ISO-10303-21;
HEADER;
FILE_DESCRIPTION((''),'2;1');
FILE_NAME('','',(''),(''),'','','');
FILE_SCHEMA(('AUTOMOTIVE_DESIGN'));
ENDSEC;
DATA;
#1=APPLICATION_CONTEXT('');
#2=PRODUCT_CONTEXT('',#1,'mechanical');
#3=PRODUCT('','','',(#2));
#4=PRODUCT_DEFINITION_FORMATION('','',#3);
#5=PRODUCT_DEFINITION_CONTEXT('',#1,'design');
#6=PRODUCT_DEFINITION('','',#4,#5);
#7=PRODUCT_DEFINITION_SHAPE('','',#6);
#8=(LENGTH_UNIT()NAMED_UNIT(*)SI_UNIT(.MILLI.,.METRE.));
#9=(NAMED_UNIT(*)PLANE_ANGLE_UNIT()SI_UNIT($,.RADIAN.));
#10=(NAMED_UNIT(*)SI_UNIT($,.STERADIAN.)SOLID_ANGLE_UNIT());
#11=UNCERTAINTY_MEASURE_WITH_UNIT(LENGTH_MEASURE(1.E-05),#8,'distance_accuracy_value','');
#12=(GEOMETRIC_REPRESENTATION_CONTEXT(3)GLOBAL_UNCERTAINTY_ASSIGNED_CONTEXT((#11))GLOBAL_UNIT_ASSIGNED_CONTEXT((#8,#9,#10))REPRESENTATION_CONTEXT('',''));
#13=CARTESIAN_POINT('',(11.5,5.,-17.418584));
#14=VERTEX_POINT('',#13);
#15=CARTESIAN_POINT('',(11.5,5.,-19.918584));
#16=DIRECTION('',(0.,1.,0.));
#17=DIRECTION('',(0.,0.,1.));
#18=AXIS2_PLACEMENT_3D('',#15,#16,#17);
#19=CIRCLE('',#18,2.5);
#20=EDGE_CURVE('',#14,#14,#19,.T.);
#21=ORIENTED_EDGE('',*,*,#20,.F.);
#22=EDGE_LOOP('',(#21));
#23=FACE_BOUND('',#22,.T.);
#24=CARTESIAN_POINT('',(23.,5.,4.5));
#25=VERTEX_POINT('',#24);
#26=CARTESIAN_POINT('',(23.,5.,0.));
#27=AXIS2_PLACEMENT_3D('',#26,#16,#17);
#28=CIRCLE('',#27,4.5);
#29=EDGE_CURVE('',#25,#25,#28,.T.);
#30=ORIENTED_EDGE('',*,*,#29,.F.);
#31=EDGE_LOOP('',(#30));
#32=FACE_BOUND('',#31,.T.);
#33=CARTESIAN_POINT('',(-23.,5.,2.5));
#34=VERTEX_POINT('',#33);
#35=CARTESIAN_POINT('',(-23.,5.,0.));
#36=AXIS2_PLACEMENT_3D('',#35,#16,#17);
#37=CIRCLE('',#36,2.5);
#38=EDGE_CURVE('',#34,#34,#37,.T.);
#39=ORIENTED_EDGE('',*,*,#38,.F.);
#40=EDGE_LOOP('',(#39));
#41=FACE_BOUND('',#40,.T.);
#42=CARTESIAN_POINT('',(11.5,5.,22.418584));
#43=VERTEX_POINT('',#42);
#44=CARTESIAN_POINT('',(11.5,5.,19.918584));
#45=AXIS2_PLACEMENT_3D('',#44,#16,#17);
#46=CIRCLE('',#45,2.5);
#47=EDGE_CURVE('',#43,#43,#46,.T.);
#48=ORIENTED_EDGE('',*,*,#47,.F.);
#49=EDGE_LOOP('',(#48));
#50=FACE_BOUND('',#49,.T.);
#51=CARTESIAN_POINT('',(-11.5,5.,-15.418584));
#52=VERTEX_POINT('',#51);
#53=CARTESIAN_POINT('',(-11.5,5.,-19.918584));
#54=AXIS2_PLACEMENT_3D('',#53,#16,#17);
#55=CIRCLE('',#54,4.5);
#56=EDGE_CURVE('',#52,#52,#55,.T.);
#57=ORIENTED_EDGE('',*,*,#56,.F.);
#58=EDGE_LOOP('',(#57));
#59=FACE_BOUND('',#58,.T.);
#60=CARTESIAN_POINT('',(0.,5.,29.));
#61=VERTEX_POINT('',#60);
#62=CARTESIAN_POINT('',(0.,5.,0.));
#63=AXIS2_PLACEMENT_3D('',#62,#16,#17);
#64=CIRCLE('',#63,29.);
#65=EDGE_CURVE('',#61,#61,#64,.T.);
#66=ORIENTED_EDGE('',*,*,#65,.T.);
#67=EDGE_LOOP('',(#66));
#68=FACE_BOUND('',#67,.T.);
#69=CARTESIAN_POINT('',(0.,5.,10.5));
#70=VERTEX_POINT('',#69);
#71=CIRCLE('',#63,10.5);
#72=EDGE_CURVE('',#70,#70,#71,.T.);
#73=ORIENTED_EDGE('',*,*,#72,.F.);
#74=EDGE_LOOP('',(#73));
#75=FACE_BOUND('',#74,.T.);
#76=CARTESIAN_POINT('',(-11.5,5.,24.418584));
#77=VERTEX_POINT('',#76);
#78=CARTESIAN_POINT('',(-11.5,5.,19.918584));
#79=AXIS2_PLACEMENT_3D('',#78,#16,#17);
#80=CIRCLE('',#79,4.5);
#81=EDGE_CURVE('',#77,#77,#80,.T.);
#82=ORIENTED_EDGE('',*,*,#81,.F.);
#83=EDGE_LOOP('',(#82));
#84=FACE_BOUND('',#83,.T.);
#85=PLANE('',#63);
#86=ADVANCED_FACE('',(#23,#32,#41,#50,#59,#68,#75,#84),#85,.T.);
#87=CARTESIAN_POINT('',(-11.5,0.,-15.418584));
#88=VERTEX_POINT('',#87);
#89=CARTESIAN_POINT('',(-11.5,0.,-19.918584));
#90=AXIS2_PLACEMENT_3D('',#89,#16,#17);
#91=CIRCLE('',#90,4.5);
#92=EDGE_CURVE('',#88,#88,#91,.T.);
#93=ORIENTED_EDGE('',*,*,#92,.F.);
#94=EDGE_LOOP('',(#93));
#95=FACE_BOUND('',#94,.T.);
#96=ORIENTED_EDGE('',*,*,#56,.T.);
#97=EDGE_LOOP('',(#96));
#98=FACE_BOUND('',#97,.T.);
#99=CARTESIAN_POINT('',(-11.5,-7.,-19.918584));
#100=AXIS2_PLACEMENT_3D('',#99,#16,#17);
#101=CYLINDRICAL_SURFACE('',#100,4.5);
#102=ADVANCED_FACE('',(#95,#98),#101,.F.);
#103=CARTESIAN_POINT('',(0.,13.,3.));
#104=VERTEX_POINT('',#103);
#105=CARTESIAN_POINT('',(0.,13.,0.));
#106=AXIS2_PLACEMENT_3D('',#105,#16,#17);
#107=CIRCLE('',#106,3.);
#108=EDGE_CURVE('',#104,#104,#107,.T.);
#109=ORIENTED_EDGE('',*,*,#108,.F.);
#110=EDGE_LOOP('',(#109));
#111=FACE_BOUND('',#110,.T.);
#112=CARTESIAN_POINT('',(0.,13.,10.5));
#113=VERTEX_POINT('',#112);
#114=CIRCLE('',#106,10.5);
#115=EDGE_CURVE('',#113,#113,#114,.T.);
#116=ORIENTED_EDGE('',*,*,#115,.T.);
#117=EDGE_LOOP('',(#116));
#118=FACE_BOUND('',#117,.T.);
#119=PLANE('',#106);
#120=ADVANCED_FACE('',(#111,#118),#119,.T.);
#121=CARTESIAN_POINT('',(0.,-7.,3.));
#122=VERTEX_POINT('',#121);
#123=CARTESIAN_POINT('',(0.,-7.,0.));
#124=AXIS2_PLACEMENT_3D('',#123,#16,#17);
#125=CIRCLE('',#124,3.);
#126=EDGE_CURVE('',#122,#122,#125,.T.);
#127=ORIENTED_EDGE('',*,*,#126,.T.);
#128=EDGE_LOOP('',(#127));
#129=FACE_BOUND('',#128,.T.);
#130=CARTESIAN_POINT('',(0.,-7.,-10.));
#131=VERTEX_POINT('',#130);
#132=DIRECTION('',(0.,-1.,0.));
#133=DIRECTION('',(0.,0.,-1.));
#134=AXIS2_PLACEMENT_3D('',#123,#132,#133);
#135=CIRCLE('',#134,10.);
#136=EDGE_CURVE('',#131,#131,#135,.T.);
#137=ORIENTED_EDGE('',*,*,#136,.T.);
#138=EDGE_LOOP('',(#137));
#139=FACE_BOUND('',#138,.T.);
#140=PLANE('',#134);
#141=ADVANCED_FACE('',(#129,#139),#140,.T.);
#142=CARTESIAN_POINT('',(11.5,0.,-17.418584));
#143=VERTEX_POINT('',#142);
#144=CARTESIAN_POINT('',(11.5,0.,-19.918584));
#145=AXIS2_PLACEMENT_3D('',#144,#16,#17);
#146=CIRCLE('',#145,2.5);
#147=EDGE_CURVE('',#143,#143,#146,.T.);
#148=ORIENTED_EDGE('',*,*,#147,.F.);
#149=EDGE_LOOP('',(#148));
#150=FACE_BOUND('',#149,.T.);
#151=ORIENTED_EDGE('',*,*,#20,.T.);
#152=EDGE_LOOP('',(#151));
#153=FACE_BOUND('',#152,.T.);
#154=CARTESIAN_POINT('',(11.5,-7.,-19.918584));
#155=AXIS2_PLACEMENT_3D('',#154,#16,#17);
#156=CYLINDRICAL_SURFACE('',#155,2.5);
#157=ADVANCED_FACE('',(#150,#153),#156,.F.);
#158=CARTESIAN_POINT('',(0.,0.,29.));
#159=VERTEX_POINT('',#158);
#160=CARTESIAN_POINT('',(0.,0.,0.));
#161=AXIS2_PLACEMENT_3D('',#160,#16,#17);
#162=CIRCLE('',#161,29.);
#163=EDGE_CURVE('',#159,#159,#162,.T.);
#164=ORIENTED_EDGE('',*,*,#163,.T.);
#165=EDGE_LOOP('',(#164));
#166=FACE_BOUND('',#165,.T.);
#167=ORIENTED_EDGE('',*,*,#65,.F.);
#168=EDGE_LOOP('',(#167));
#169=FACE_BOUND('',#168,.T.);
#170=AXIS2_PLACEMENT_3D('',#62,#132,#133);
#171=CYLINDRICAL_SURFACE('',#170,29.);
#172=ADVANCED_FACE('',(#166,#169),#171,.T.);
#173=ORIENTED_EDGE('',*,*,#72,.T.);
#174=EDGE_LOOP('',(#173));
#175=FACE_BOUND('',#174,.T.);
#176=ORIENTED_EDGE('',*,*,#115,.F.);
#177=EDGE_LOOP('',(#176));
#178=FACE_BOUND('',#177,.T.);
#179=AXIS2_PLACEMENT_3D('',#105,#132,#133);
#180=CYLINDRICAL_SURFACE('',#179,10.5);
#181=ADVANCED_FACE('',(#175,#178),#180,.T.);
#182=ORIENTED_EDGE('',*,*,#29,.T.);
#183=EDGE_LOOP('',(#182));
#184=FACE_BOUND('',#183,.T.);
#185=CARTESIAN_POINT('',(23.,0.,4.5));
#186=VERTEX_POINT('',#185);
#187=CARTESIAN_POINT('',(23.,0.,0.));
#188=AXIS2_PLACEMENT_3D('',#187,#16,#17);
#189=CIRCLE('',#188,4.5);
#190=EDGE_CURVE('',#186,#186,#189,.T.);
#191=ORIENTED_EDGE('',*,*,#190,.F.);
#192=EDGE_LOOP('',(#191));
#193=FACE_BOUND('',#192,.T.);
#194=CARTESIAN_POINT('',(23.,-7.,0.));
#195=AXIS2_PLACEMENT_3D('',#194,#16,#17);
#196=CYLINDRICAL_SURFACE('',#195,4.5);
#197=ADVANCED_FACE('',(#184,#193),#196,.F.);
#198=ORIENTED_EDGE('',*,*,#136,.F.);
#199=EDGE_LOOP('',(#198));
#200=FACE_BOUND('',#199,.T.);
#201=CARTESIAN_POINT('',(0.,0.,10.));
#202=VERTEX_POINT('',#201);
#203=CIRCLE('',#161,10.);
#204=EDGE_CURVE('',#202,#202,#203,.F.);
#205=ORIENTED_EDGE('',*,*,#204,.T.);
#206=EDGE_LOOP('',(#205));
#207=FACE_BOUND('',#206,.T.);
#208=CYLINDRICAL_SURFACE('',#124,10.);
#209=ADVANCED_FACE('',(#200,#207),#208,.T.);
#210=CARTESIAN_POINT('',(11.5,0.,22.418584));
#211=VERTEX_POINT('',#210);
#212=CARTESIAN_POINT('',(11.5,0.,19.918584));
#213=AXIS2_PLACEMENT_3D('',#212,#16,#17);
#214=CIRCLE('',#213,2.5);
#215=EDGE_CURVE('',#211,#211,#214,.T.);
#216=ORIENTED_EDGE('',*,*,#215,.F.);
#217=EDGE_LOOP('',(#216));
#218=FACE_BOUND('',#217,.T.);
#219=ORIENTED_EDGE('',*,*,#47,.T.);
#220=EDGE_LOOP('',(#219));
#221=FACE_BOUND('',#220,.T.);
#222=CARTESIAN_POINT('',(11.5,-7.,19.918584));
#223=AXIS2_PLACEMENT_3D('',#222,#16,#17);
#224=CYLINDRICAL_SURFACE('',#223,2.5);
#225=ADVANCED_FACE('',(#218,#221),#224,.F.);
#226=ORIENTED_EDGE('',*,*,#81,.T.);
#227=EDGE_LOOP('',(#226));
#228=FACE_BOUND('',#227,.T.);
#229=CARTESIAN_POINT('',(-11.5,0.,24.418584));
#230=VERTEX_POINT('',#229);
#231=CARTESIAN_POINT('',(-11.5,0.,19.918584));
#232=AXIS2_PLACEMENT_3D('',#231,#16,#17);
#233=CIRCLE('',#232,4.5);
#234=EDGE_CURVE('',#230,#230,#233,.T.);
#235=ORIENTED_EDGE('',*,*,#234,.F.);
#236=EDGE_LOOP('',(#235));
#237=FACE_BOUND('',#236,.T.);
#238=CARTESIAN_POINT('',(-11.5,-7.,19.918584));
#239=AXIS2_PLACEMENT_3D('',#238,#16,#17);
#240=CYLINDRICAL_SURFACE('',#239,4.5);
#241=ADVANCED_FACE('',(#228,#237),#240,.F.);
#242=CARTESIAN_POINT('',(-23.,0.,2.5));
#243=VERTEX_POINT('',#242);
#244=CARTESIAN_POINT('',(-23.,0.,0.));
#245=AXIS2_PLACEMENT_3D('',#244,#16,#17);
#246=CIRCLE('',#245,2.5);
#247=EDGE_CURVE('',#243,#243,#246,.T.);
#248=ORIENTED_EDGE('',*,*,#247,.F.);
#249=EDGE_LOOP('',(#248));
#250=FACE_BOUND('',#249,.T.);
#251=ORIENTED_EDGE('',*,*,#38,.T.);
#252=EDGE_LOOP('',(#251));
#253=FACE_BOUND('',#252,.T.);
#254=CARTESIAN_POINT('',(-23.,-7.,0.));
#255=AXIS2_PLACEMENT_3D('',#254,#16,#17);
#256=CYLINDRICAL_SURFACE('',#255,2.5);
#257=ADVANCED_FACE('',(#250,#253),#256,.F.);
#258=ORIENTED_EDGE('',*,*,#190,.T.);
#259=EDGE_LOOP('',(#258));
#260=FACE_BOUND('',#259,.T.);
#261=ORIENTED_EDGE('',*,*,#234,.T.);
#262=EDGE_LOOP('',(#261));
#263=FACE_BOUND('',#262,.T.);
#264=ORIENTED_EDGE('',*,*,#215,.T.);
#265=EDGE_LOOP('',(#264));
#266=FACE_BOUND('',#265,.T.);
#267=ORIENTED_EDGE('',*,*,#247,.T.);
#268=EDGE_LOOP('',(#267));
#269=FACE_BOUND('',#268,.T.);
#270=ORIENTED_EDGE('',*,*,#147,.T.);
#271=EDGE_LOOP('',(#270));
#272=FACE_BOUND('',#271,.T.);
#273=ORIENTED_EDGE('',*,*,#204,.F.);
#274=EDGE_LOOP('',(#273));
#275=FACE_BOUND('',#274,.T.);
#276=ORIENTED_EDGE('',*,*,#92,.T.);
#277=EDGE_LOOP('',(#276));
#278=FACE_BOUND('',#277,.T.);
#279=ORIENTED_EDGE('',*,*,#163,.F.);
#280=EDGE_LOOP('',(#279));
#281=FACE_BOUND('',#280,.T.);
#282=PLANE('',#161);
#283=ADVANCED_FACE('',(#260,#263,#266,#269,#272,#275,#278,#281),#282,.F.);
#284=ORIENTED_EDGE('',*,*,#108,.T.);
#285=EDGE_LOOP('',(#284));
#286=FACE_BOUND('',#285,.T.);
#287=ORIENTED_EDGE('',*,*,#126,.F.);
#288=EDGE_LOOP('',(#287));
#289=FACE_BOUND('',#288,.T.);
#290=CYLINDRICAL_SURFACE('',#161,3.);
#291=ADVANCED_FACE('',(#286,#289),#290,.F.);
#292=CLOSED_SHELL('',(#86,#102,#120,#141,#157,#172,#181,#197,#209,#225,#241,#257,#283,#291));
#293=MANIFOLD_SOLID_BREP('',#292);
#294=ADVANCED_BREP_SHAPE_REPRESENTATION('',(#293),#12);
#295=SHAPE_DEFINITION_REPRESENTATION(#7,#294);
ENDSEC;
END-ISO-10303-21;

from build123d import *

# Parameters (mm, degrees)
SKETCH1_R           = 29
BOSS_EXTRUDE2_DEPTH = 5
SKETCH3_R           = 10.5
BOSS_EXTRUDE3_DEPTH = 8
SKETCH4_R           = 3
CUT_EXTRUDE1_DEPTH  = 44.023249529
SKETCH6_R           = 10
BOSS_EXTRUDE5_DEPTH = 7
SKETCH8_R           = 3
CUT_EXTRUDE3_DEPTH  = 44.023249529
SKETCH9_R           = 2.5
CUT_EXTRUDE4_DEPTH  = 43.731721238
SKETCH10_R          = 4.5
CUT_EXTRUDE5_DEPTH  = 43.731721238


with BuildPart() as part:
    # Sketch1 → Boss-Extrude2 (new body)
    with BuildSketch(Plane(origin=(0, 0, 0), x_dir=(1, 0, 0), z_dir=(0, 1, 0))):
        with Locations(Location((0, 0, 0), (0, 0, 270))):
            Circle(SKETCH1_R)
    extrude(amount=BOSS_EXTRUDE2_DEPTH)

    # Sketch3 → Boss-Extrude3 (add)
    with BuildSketch(Plane(origin=(0, 5, 0), x_dir=(1, 0, 0), z_dir=(0, 1, 0))):
        with Locations(Location((0, 0, 0), (0, 0, 270))):
            Circle(SKETCH3_R)
    extrude(amount=BOSS_EXTRUDE3_DEPTH)

    # Sketch4 → Cut-Extrude1 (cut, through all)
    with BuildSketch(Plane(origin=(0, 13, 0), x_dir=(1, 0, 0), z_dir=(0, 1, 0))):
        with Locations(Location((0, 0, 0), (0, 0, 270))):
            Circle(SKETCH4_R)
    extrude(amount=-CUT_EXTRUDE1_DEPTH, mode=Mode.SUBTRACT)

    # Sketch6 → Boss-Extrude5 (add)
    with BuildSketch(Plane.XZ):
        with Locations(Location((0, 0, 0), (0, 0, 90))):
            Circle(SKETCH6_R)
    extrude(amount=BOSS_EXTRUDE5_DEPTH)

    # Sketch8 → Cut-Extrude3 (cut, through all)
    with BuildSketch(Plane(origin=(0, 0, 0), x_dir=(1, 0, 0), z_dir=(0, 1, 0))):
        with Locations(Location((0, 0, 0), (0, 0, 270))):
            Circle(SKETCH8_R)
    extrude(amount=-CUT_EXTRUDE3_DEPTH, mode=Mode.SUBTRACT)

    # Sketch9 → Cut-Extrude4 (cut, through all)
    with BuildSketch(Plane(origin=(0, 5, 0), x_dir=(1, 0, 0), z_dir=(0, 1, 0))):
        with Locations(Location((11.5, 19.918584287, 0), (0, 0, 270))):
            Circle(SKETCH9_R)
        with Locations(Location((-23, 0, 0), (0, 0, 270))):
            Circle(SKETCH9_R)
        with Locations(Location((11.5, -19.918584287, 0), (0, 0, 270))):
            Circle(SKETCH9_R)
    extrude(amount=-CUT_EXTRUDE4_DEPTH, mode=Mode.SUBTRACT)

    # Sketch10 → Cut-Extrude5 (cut, through all)
    with BuildSketch(Plane(origin=(0, 5, 0), x_dir=(1, 0, 0), z_dir=(0, 1, 0))):
        with Locations(Location((-11.5, -19.918584287, 0), (0, 0, 270))):
            Circle(SKETCH10_R)
        with Locations(Location((-11.5, 19.918584287, 0), (0, 0, 270))):
            Circle(SKETCH10_R)
        with Locations(Location((23, 0, 0), (0, 0, 270))):
            Circle(SKETCH10_R)
    extrude(amount=-CUT_EXTRUDE5_DEPTH, mode=Mode.SUBTRACT)


solid = part.part
